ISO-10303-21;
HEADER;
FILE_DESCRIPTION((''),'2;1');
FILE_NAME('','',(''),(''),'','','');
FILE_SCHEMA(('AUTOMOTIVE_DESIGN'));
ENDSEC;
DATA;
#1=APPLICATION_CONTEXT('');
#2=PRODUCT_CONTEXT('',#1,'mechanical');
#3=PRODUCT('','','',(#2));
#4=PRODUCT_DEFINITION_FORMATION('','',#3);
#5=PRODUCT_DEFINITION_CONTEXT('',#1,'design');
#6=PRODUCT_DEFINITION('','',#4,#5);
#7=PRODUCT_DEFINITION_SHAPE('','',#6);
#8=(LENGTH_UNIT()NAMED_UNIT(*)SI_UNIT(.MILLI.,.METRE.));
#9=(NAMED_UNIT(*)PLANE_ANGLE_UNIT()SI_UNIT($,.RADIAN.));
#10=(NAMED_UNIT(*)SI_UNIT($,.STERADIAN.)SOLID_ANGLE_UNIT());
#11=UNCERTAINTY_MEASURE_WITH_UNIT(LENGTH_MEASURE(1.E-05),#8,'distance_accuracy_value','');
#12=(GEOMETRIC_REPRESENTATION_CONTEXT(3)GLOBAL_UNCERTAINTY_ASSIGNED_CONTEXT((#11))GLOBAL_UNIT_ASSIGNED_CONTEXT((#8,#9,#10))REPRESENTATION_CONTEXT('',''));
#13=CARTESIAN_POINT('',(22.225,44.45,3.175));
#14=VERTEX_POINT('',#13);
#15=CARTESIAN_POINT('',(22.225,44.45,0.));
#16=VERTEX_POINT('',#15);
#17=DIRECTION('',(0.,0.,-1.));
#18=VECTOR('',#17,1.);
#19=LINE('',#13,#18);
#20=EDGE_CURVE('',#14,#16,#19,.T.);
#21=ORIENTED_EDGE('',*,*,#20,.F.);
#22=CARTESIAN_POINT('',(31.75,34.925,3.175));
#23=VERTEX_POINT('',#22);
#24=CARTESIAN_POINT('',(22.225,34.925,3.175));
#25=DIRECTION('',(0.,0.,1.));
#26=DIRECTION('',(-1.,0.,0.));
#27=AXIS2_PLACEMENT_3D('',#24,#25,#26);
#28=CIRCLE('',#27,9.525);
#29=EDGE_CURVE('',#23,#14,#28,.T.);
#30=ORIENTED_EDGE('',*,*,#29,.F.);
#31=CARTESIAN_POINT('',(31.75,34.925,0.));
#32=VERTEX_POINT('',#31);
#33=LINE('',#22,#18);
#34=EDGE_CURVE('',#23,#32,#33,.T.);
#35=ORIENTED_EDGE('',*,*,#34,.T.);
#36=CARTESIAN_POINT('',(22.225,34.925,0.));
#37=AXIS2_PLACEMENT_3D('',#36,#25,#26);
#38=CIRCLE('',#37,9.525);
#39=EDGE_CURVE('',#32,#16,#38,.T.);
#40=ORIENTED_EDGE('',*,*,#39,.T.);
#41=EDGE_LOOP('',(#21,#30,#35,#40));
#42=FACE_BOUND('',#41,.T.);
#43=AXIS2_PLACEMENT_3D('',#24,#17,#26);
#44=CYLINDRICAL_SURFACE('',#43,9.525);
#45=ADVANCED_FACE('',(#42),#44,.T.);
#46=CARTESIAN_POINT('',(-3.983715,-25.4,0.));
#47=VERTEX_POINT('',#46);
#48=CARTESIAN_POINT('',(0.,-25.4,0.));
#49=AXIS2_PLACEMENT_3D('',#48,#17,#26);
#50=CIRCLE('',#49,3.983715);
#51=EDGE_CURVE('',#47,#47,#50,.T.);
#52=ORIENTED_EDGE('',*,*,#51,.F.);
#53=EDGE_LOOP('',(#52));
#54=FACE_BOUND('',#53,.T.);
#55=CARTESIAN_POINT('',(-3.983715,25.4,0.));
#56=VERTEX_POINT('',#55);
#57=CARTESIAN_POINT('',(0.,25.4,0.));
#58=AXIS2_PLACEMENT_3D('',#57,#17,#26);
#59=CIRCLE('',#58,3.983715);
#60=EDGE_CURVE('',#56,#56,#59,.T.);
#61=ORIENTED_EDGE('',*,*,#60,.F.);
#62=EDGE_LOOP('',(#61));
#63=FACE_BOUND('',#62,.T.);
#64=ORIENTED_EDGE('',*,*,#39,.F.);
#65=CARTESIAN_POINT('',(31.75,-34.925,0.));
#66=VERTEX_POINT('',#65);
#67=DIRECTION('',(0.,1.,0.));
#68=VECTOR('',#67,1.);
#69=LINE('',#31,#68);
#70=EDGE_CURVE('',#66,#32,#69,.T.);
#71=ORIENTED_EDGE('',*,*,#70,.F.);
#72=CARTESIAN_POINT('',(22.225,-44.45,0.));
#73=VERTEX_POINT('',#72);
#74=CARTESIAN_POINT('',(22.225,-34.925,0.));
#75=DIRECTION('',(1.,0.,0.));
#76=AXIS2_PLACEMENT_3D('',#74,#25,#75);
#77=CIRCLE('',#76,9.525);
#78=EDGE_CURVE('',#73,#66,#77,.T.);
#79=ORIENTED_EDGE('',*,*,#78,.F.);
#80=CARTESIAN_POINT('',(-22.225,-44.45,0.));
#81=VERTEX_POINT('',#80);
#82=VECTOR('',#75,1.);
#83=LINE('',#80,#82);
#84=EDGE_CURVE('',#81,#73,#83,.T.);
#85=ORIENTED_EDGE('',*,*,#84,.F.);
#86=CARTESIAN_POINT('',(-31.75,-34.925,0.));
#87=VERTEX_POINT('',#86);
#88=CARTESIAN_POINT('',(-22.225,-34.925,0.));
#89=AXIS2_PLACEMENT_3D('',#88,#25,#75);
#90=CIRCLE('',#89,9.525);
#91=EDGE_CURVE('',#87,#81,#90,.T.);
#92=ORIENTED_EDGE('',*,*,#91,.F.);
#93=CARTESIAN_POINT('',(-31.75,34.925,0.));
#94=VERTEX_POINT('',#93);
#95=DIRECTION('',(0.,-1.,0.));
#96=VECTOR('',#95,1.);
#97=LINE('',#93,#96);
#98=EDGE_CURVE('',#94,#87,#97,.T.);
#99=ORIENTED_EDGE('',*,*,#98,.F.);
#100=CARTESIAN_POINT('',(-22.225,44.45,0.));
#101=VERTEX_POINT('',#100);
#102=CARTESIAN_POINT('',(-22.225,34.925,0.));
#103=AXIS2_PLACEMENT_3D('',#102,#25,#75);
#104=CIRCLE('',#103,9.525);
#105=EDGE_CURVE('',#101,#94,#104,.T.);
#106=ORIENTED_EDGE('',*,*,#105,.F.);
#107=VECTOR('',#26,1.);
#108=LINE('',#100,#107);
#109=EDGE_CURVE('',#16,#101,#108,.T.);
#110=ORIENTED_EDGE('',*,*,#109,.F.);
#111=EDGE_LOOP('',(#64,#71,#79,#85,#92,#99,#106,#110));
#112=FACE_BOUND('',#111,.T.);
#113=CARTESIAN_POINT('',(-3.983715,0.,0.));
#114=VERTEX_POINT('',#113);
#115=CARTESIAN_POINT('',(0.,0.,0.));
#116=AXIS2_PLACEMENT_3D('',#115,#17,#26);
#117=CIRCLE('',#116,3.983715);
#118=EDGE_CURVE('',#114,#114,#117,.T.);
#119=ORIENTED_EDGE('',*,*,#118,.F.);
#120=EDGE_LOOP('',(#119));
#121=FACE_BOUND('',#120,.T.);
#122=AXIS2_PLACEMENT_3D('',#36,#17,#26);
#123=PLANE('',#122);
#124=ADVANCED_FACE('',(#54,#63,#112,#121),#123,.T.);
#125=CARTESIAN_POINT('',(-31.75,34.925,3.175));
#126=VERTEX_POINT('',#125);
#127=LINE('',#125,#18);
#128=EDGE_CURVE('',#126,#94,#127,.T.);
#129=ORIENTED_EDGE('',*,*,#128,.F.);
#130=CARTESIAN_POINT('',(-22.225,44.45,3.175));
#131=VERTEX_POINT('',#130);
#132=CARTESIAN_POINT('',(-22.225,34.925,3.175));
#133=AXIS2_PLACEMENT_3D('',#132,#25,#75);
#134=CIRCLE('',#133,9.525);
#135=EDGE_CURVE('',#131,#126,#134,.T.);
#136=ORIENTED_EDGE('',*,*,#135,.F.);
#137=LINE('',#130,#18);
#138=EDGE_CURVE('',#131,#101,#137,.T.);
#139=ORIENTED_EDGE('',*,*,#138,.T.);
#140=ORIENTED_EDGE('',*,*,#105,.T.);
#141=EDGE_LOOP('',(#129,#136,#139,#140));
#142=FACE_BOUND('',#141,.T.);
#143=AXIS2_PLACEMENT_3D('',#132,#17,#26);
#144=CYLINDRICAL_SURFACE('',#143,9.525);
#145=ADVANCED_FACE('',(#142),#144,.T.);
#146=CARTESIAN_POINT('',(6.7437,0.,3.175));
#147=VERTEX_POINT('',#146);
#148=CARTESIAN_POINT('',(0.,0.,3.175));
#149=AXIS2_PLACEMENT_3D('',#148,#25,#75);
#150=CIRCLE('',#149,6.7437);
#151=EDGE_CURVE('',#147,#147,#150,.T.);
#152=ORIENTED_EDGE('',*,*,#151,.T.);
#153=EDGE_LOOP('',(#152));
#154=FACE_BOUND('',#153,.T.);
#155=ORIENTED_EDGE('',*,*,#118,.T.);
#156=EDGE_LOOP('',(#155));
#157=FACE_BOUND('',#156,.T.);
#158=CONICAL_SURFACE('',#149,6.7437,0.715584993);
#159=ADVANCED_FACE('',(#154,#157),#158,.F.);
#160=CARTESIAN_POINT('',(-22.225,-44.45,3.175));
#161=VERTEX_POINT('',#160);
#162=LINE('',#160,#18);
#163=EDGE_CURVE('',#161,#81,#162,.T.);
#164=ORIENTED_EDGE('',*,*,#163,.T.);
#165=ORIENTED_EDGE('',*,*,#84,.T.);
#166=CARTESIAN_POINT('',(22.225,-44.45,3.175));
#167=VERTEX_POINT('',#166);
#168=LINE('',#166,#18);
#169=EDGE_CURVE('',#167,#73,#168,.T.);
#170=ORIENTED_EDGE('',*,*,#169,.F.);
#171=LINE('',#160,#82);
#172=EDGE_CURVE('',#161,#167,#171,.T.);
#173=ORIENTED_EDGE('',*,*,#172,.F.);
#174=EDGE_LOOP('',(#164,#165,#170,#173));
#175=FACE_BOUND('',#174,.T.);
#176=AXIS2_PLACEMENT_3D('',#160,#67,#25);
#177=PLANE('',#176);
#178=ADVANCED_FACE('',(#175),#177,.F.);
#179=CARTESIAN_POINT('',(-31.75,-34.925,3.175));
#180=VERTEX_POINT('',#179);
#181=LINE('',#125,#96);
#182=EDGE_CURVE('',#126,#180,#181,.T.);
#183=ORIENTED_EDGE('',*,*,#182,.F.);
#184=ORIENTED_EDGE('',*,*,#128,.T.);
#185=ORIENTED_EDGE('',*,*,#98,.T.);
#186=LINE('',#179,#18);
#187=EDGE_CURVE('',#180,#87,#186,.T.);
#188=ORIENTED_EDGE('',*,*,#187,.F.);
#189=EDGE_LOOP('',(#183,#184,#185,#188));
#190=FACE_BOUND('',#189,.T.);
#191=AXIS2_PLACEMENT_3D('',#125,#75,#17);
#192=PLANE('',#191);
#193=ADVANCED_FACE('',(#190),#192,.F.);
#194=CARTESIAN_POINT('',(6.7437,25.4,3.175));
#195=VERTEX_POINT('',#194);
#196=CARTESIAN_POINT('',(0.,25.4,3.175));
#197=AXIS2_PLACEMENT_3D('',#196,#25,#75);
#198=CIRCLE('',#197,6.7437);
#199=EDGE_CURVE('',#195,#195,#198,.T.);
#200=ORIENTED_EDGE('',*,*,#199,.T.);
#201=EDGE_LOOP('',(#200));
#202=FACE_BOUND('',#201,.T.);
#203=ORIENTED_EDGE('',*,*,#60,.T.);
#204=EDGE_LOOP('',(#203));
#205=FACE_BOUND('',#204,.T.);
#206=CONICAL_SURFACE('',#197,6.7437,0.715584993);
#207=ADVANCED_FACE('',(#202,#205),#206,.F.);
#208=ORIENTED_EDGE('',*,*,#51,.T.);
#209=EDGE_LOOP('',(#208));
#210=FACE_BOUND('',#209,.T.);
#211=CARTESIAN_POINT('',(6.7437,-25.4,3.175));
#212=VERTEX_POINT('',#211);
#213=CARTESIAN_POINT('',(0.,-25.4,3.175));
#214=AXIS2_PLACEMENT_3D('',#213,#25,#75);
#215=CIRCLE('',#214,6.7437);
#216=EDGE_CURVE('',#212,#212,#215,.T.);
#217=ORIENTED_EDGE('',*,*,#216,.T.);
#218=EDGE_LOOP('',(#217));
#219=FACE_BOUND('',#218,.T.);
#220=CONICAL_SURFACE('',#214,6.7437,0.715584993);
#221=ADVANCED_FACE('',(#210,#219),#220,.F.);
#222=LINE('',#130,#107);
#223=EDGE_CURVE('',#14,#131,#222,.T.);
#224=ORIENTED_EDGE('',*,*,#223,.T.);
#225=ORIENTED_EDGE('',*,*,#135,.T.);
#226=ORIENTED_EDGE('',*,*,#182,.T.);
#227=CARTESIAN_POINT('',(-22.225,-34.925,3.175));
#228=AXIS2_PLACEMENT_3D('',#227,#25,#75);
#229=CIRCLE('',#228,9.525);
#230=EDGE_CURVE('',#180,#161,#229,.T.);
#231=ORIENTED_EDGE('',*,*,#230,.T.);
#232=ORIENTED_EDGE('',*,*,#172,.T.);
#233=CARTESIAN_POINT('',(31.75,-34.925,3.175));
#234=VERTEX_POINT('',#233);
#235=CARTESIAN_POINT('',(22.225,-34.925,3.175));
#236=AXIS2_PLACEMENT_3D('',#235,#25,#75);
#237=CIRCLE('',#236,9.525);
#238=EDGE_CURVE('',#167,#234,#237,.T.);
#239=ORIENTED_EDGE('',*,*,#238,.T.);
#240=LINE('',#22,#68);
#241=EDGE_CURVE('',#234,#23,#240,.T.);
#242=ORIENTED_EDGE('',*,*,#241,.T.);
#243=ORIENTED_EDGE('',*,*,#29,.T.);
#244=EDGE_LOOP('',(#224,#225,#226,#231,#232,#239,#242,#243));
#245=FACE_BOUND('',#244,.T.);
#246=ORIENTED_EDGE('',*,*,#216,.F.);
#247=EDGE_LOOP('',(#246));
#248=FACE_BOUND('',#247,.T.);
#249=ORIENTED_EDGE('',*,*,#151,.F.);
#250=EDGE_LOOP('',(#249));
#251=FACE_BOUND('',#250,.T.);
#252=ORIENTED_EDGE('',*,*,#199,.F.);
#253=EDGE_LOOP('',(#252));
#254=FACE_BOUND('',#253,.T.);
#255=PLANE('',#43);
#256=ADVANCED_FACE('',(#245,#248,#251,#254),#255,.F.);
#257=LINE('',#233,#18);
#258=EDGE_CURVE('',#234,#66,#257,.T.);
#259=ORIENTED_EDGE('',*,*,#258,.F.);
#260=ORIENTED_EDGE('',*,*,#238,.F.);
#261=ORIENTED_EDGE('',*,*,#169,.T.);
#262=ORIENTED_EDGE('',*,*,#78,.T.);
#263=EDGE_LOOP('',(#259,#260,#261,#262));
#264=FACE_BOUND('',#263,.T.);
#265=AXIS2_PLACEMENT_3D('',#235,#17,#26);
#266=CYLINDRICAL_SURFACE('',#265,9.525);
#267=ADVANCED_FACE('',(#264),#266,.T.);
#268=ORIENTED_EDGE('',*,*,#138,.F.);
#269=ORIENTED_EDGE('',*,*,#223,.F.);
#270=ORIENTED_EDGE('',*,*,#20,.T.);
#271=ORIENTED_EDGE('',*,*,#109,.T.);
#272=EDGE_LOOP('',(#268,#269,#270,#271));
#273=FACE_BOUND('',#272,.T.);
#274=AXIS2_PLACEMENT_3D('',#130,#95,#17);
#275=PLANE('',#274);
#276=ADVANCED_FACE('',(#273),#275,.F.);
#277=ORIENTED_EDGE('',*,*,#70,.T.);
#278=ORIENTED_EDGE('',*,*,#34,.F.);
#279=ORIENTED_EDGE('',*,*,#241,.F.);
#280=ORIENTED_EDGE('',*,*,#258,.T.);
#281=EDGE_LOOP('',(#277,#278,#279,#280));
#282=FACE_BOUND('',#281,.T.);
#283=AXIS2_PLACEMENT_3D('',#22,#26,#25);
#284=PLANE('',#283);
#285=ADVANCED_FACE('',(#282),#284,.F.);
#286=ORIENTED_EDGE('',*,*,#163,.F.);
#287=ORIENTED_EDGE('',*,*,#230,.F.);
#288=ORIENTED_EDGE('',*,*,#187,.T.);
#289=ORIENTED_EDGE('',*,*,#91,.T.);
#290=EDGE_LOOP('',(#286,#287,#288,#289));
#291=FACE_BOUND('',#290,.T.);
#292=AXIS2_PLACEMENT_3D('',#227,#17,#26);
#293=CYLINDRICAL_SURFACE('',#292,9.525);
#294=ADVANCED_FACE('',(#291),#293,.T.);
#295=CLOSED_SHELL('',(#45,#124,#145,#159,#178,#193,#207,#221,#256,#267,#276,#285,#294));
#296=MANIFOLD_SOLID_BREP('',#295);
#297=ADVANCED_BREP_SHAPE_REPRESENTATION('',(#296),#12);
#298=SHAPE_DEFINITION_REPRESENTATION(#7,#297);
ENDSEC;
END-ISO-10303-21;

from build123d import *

# Parameters (mm, degrees)
SKETCH1_R                                    = 2.5527
BOSS_EXTRUDE1_DEPTH                          = 3.175
CSK_FOR_1_4_FLAT_HEAD_SOCKET_CAP_SCR_2_COUNT = 2
CSK_FOR_1_4_FLAT_HEAD_SOCKET_CAP_SCR_2_PITCH = 25.4
CSK_FOR_1_4_FLAT_HEAD_SOCKET_CAP_SCR_3_COUNT = 2
CSK_FOR_1_4_FLAT_HEAD_SOCKET_CAP_SCR_3_PITCH = 50.8


with BuildPart() as part:
    # Sketch1 → Boss-Extrude1 (new body)
    with BuildSketch(Plane.XY):
        with BuildLine():
            Line((-22.225, 44.45), (22.225, 44.45))
            ThreePointArc((22.225, 44.45), (28.960192091, 41.660192091), (31.75, 34.925))
            Line((31.75, 34.925), (31.75, -34.925))
            ThreePointArc((31.75, -34.925), (28.960192091, -41.660192091), (22.225, -44.45))
            Line((22.225, -44.45), (-22.225, -44.45))
            ThreePointArc((-22.225, -44.45), (-28.960192091, -41.660192091), (-31.75, -34.925))
            Line((-31.75, -34.925), (-31.75, 34.925))
            ThreePointArc((-31.75, 34.925), (-28.960192091, 41.660192091), (-22.225, 44.45))
        make_face()
        with Locations((0, 25.4)):
            Circle(SKETCH1_R, mode=Mode.SUBTRACT)
        Circle(SKETCH1_R, mode=Mode.SUBTRACT)
        with Locations((0, -25.4)):
            Circle(SKETCH1_R, mode=Mode.SUBTRACT)
    extrude(amount=BOSS_EXTRUDE1_DEPTH)

    # Sketch2 → CSK for 1/4 Flat Head Socket Cap Screw1 (revolve, cut)
    with BuildSketch(Plane(origin=(0, 25.4, 3.175), x_dir=(0, -1, 0), z_dir=(1, 0, 0))):
        Polygon((0, 0), (0, 3.175), (3.3782, 3.175), (3.3782, 3.871564875), (6.7437, 0), align=None)
    csk_for_1_4_flat_head_socket_cap_screw1 = revolve(axis=Axis((0, 25.4, 9.525), (0, 0, -1)), mode=Mode.SUBTRACT)

    # CSK for 1_4 Flat Head Socket Cap Scr 2: CSK for 1/4 Flat Head Socket Cap Screw1 ×2
    with Locations(*[(0, -i * CSK_FOR_1_4_FLAT_HEAD_SOCKET_CAP_SCR_2_PITCH, 0) for i in range(1, CSK_FOR_1_4_FLAT_HEAD_SOCKET_CAP_SCR_2_COUNT)]):
        add(csk_for_1_4_flat_head_socket_cap_screw1, mode=Mode.SUBTRACT)

    # CSK for 1_4 Flat Head Socket Cap Scr 3: CSK for 1/4 Flat Head Socket Cap Screw1 ×2
    with Locations(*[(0, -i * CSK_FOR_1_4_FLAT_HEAD_SOCKET_CAP_SCR_3_PITCH, 0) for i in range(1, CSK_FOR_1_4_FLAT_HEAD_SOCKET_CAP_SCR_3_COUNT)]):
        add(csk_for_1_4_flat_head_socket_cap_screw1, mode=Mode.SUBTRACT)


solid = part.part
